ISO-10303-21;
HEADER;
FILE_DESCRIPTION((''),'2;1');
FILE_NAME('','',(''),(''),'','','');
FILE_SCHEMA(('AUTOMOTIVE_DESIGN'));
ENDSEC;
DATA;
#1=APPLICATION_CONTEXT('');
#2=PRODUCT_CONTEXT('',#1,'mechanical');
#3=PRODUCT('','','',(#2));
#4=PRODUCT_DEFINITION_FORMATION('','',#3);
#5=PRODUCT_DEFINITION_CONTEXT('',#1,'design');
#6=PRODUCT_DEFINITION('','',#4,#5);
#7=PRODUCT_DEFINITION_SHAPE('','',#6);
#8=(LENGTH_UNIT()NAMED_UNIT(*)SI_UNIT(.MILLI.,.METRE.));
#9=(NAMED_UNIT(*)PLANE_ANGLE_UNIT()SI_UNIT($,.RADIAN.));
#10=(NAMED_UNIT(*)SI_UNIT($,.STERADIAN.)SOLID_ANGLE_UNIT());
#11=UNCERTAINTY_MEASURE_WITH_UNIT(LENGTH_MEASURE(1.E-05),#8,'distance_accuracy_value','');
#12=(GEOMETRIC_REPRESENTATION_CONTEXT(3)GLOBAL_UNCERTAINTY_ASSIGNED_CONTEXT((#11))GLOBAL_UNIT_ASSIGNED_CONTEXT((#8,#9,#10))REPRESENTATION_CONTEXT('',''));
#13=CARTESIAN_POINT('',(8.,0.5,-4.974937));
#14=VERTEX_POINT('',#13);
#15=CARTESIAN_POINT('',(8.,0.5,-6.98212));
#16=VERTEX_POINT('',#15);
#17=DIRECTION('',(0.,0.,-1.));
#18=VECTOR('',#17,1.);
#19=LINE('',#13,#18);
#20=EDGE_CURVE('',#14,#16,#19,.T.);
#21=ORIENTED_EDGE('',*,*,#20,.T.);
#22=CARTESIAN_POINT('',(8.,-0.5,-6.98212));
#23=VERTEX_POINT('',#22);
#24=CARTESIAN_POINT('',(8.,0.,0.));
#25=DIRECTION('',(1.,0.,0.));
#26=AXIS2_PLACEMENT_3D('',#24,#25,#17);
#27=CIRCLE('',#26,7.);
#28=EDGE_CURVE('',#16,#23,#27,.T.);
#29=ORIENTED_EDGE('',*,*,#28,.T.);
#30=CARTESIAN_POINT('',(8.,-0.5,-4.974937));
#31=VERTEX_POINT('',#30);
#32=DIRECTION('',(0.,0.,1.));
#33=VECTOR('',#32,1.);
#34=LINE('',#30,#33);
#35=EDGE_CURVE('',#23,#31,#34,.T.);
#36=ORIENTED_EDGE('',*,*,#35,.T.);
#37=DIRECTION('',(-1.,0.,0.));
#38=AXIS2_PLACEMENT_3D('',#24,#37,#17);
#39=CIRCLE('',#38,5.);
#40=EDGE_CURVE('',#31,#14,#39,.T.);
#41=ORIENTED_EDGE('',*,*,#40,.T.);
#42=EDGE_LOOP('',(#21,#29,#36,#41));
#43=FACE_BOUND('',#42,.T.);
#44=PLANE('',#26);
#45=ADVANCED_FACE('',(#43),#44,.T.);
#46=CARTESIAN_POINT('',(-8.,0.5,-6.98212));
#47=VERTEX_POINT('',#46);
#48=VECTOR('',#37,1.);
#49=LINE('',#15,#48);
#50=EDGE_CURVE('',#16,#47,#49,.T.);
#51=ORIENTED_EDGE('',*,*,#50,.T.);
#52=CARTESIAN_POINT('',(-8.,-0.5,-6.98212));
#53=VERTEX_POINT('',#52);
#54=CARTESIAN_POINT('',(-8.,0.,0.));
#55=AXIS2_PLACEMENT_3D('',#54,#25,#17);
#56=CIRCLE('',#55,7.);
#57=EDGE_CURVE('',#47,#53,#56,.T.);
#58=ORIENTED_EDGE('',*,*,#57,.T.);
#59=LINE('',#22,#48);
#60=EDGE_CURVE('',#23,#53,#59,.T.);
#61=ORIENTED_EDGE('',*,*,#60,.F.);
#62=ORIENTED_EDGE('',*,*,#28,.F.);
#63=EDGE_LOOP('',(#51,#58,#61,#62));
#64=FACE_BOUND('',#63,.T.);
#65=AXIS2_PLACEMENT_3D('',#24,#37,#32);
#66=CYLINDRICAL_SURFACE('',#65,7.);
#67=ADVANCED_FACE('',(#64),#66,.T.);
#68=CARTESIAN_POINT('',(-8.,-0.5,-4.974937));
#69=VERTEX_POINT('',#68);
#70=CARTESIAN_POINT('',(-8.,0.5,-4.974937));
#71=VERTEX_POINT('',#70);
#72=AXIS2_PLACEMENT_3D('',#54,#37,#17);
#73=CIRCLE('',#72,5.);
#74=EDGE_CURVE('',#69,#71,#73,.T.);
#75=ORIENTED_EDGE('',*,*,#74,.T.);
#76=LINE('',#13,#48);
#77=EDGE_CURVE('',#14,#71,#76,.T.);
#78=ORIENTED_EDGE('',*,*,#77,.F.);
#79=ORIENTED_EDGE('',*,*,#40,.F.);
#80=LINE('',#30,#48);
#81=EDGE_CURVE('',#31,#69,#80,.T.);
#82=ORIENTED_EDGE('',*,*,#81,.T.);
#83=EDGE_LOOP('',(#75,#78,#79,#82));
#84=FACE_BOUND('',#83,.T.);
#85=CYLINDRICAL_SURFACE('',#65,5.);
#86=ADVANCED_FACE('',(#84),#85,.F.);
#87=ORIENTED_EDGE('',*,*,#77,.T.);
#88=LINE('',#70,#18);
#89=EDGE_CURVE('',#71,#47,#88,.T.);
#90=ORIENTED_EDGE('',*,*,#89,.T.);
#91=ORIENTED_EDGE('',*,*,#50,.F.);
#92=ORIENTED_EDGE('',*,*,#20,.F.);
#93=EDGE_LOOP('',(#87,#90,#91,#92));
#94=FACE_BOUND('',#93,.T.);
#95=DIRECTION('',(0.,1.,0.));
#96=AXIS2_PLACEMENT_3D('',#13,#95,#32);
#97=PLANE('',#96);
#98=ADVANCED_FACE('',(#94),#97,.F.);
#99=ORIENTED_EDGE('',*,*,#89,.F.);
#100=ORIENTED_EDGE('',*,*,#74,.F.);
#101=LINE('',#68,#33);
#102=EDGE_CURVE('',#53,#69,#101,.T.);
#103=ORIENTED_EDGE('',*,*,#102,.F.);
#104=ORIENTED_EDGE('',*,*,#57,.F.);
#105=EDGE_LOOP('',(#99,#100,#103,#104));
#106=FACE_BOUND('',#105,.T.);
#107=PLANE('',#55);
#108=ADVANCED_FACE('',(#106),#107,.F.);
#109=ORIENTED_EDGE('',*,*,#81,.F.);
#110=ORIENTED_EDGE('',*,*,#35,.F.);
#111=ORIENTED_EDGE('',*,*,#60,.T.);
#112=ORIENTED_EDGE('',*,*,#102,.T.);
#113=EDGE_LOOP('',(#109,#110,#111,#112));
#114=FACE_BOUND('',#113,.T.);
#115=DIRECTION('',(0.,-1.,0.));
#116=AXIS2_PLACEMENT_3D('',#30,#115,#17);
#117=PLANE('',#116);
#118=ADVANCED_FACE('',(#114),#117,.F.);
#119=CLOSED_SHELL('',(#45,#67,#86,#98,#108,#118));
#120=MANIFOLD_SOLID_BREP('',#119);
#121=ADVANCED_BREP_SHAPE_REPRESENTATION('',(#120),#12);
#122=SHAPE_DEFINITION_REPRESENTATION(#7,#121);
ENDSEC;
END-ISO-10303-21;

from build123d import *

# Parameters (mm, degrees)
BOSS_EXTRUDE1_DEPTH = 8


with BuildPart() as part:
    # Sketch1 → Boss-Extrude1 (new body, symmetric)
    with BuildSketch(Plane(origin=(0, 0, 0), x_dir=(0, 0, -1), z_dir=(1, 0, 0))):
        with BuildLine():
            Line((4.974937186, 0.5), (6.982120022, 0.5))
            ThreePointArc((6.982120022, 0.5), (-7, 0), (6.982120022, -0.5))
            Line((6.982120022, -0.5), (4.974937186, -0.5))
            ThreePointArc((4.974937186, -0.5), (-5, 0), (4.974937186, 0.5))
        make_face()
    extrude(amount=BOSS_EXTRUDE1_DEPTH, both=True)


solid = part.part
